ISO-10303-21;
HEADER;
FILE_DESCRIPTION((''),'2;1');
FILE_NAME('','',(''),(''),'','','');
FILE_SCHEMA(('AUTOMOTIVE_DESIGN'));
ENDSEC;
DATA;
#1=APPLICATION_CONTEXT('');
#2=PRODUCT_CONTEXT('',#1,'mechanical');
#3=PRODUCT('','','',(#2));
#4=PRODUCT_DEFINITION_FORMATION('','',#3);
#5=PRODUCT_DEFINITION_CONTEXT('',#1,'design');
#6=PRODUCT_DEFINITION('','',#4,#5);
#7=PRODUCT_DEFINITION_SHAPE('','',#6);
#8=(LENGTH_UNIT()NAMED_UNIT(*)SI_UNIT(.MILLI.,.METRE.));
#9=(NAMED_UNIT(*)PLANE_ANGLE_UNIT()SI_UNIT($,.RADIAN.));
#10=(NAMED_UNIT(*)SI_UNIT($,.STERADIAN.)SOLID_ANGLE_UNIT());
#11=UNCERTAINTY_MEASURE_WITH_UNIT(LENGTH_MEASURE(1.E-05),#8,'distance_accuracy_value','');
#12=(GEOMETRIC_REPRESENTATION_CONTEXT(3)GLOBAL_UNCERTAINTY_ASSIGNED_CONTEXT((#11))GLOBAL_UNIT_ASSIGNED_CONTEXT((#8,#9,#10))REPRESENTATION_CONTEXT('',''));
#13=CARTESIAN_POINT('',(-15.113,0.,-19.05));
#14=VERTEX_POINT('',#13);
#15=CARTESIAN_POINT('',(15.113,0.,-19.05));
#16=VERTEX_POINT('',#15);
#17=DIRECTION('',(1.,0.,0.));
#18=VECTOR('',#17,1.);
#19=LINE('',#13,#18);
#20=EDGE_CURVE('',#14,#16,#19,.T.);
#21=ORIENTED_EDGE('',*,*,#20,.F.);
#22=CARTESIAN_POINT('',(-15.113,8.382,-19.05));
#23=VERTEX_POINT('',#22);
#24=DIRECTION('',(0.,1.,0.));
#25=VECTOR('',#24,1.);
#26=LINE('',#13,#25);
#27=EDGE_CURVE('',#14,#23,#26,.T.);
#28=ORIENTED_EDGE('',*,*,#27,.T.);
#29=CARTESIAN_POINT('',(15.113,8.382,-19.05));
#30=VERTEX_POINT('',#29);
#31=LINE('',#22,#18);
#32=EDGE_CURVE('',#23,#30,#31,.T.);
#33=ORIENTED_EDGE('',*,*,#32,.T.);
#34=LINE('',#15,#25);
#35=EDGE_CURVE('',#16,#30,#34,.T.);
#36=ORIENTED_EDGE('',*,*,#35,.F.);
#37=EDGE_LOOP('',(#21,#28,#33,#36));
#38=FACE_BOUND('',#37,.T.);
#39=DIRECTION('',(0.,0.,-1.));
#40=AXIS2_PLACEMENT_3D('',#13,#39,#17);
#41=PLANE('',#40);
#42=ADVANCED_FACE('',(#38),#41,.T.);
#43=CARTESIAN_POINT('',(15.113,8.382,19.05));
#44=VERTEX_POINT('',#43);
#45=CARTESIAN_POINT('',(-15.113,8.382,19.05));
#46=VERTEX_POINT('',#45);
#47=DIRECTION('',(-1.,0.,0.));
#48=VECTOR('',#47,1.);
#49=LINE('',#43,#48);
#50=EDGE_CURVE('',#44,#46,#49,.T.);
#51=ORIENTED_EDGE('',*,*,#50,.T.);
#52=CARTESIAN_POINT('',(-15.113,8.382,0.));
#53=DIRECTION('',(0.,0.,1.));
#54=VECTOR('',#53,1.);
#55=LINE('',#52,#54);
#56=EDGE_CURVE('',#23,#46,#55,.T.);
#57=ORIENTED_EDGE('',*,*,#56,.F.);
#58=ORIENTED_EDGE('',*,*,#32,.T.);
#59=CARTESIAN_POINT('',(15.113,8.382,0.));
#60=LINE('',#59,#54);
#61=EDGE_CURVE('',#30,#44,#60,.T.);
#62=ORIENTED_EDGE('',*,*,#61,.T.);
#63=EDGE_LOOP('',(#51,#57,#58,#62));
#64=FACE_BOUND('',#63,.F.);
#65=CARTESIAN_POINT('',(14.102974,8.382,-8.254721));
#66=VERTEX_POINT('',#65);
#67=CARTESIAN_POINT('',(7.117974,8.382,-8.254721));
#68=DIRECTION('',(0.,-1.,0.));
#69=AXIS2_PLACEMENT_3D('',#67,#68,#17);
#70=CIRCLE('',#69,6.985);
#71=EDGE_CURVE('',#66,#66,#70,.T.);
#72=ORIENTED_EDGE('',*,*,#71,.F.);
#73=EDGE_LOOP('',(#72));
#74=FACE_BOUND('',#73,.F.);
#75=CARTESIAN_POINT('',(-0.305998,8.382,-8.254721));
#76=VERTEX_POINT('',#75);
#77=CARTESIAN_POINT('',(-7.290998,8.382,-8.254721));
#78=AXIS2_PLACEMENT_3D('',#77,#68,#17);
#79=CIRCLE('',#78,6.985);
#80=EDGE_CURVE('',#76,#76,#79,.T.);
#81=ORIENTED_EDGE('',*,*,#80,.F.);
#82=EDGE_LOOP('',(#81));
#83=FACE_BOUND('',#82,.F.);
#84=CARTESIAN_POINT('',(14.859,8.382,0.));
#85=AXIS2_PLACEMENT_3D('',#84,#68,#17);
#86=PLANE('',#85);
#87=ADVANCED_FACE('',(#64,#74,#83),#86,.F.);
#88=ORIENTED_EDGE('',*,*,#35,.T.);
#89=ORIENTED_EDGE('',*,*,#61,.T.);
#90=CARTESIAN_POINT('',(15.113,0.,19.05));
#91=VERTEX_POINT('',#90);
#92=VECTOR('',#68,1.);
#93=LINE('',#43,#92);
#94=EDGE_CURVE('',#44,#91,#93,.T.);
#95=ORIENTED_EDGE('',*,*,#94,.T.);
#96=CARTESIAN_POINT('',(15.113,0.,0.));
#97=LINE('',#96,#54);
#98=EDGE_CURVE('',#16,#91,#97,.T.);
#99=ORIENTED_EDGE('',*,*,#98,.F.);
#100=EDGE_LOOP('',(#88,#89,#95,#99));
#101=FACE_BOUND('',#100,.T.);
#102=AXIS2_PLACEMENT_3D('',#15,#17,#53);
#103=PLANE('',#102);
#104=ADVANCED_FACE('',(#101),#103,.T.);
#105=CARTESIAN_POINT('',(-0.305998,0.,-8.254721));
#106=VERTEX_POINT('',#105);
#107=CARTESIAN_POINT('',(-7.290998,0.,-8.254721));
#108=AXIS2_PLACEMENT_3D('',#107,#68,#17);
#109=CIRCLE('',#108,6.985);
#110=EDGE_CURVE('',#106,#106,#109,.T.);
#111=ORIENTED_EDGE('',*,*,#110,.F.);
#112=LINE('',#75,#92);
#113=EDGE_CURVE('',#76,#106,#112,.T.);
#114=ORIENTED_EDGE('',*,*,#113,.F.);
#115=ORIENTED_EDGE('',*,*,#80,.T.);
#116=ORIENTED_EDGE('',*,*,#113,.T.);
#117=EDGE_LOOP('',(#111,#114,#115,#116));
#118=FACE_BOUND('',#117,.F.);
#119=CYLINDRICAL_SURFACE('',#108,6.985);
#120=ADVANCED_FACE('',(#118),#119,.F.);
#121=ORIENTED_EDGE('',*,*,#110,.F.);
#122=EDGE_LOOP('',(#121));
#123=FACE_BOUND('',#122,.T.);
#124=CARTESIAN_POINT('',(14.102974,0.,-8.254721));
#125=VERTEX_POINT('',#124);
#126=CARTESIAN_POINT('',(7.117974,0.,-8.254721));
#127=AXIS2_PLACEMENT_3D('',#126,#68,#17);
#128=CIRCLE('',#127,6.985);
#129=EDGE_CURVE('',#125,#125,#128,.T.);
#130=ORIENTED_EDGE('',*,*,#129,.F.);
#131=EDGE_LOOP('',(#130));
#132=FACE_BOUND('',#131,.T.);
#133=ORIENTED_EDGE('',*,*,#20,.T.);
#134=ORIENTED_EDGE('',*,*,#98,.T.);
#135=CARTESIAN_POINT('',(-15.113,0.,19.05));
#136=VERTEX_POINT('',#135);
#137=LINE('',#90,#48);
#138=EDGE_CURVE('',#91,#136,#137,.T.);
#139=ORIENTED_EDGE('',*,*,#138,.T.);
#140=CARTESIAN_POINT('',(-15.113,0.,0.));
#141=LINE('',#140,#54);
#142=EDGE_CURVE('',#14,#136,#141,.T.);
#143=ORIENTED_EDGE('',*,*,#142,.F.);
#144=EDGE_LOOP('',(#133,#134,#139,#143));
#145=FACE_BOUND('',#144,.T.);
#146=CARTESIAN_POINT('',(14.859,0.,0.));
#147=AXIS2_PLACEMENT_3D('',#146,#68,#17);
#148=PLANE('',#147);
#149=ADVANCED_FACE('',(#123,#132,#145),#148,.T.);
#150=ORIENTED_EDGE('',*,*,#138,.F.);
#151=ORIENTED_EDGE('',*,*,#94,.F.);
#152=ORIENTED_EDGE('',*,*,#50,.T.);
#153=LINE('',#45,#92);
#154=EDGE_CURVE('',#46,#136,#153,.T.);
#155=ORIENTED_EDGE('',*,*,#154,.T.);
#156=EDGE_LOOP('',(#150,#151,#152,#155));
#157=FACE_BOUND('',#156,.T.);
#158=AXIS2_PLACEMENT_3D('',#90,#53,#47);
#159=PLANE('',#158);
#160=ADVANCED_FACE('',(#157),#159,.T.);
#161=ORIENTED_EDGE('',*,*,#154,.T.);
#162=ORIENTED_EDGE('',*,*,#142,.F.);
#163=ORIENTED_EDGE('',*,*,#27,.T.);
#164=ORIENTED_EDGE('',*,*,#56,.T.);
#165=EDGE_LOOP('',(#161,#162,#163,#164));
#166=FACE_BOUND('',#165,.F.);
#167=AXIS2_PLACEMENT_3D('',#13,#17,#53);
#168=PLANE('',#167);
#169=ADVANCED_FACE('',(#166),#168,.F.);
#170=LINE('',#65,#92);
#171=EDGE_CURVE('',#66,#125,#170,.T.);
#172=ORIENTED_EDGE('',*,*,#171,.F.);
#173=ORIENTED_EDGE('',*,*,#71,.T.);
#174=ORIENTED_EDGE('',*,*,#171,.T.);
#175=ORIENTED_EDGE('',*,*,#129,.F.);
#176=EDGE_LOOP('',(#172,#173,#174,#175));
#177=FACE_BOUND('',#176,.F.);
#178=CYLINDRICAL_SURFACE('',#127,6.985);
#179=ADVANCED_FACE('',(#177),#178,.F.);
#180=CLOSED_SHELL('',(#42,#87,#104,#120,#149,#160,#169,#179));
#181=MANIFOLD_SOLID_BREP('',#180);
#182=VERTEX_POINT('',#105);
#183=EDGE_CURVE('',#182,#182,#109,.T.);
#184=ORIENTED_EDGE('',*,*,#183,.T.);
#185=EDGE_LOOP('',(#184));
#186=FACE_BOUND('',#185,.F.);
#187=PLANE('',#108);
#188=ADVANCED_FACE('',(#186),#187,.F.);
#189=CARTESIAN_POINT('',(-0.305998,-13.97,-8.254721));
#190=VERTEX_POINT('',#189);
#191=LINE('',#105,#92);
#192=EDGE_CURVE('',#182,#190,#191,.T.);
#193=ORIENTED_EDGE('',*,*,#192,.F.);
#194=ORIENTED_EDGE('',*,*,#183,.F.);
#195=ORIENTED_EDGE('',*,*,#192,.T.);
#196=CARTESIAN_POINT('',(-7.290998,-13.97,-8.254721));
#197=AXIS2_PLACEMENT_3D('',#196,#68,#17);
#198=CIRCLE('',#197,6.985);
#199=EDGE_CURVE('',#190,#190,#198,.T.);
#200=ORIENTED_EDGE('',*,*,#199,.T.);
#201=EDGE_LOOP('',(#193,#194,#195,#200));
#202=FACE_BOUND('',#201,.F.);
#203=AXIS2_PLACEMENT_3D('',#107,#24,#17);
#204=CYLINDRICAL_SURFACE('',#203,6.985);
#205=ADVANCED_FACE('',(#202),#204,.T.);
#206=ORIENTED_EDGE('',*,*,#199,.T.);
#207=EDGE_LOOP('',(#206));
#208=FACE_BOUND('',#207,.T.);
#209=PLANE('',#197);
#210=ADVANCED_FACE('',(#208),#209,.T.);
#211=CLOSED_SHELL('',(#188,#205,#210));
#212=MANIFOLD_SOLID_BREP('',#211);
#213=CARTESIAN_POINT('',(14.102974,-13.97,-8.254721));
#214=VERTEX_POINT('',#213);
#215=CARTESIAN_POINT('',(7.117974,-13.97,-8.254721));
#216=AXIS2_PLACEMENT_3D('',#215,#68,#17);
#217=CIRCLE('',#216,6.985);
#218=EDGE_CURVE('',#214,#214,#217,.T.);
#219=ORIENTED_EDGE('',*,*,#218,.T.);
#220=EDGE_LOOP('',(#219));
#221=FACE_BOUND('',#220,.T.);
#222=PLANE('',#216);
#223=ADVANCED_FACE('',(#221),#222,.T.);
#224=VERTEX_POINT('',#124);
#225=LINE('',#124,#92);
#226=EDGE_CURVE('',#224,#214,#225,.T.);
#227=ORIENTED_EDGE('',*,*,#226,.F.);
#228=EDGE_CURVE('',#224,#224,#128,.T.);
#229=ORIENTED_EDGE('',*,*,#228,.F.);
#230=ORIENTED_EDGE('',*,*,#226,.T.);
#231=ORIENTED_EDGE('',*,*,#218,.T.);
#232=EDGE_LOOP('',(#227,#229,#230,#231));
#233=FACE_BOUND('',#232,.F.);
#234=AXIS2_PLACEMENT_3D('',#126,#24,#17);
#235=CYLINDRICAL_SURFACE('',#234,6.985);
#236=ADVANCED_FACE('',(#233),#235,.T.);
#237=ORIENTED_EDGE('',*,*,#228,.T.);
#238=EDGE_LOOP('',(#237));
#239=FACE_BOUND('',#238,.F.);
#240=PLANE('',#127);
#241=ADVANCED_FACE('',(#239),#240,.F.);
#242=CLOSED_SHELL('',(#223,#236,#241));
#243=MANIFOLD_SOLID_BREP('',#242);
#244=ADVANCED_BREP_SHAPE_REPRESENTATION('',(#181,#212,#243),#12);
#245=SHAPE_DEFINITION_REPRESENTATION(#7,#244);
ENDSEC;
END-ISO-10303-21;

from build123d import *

# Parameters (mm, degrees)
F0_R     = 6.985
F1_DEPTH = 13.97
F0_W     = 0.508
F0_H     = 38.1
F0_W_2   = 29.21
F2_DEPTH = 3.81
F3_DEPTH = 8.382


with BuildPart() as f1:
    # F0 (on Front) → F1 (new body)
    with BuildSketch(Plane.XZ):
        with Locations((7.117974, -8.254721)):
            Circle(F0_R)
        with Locations((-7.290998, -8.254721)):
            Circle(F0_R)
    extrude(amount=F1_DEPTH)



with BuildPart() as f2:
    # F0 (on Front) → F2 (new body)
    with BuildSketch(Plane.XZ):
        with Locations((14.859, 0)):
            Rectangle(F0_W, F0_H)
        Rectangle(F0_W_2, F0_H)
        with Locations((-7.290998, -8.254721)):
            Circle(F0_R, mode=Mode.SUBTRACT)
        with Locations((7.117974, -8.254721)):
            Circle(F0_R, mode=Mode.SUBTRACT)
        with Locations((-14.859, 0)):
            Rectangle(F0_W, F0_H)
    extrude(amount=-F2_DEPTH)


with BuildPart() as f1_1:
    add(f1.part)

    add(f2.part)  # F3 merges F2
    # F0 (on Front) → F3 (join)
    with BuildSketch(Plane.XZ):
        with Locations((14.859, 0)):
            Rectangle(F0_W, F0_H)
        Rectangle(F0_W_2, F0_H)
        with Locations((-7.290998, -8.254721)):
            Circle(F0_R, mode=Mode.SUBTRACT)
        with Locations((7.117974, -8.254721)):
            Circle(F0_R, mode=Mode.SUBTRACT)
        with Locations((-14.859, 0)):
            Rectangle(F0_W, F0_H)
    extrude(amount=-F3_DEPTH)


solid = f1_1.part
